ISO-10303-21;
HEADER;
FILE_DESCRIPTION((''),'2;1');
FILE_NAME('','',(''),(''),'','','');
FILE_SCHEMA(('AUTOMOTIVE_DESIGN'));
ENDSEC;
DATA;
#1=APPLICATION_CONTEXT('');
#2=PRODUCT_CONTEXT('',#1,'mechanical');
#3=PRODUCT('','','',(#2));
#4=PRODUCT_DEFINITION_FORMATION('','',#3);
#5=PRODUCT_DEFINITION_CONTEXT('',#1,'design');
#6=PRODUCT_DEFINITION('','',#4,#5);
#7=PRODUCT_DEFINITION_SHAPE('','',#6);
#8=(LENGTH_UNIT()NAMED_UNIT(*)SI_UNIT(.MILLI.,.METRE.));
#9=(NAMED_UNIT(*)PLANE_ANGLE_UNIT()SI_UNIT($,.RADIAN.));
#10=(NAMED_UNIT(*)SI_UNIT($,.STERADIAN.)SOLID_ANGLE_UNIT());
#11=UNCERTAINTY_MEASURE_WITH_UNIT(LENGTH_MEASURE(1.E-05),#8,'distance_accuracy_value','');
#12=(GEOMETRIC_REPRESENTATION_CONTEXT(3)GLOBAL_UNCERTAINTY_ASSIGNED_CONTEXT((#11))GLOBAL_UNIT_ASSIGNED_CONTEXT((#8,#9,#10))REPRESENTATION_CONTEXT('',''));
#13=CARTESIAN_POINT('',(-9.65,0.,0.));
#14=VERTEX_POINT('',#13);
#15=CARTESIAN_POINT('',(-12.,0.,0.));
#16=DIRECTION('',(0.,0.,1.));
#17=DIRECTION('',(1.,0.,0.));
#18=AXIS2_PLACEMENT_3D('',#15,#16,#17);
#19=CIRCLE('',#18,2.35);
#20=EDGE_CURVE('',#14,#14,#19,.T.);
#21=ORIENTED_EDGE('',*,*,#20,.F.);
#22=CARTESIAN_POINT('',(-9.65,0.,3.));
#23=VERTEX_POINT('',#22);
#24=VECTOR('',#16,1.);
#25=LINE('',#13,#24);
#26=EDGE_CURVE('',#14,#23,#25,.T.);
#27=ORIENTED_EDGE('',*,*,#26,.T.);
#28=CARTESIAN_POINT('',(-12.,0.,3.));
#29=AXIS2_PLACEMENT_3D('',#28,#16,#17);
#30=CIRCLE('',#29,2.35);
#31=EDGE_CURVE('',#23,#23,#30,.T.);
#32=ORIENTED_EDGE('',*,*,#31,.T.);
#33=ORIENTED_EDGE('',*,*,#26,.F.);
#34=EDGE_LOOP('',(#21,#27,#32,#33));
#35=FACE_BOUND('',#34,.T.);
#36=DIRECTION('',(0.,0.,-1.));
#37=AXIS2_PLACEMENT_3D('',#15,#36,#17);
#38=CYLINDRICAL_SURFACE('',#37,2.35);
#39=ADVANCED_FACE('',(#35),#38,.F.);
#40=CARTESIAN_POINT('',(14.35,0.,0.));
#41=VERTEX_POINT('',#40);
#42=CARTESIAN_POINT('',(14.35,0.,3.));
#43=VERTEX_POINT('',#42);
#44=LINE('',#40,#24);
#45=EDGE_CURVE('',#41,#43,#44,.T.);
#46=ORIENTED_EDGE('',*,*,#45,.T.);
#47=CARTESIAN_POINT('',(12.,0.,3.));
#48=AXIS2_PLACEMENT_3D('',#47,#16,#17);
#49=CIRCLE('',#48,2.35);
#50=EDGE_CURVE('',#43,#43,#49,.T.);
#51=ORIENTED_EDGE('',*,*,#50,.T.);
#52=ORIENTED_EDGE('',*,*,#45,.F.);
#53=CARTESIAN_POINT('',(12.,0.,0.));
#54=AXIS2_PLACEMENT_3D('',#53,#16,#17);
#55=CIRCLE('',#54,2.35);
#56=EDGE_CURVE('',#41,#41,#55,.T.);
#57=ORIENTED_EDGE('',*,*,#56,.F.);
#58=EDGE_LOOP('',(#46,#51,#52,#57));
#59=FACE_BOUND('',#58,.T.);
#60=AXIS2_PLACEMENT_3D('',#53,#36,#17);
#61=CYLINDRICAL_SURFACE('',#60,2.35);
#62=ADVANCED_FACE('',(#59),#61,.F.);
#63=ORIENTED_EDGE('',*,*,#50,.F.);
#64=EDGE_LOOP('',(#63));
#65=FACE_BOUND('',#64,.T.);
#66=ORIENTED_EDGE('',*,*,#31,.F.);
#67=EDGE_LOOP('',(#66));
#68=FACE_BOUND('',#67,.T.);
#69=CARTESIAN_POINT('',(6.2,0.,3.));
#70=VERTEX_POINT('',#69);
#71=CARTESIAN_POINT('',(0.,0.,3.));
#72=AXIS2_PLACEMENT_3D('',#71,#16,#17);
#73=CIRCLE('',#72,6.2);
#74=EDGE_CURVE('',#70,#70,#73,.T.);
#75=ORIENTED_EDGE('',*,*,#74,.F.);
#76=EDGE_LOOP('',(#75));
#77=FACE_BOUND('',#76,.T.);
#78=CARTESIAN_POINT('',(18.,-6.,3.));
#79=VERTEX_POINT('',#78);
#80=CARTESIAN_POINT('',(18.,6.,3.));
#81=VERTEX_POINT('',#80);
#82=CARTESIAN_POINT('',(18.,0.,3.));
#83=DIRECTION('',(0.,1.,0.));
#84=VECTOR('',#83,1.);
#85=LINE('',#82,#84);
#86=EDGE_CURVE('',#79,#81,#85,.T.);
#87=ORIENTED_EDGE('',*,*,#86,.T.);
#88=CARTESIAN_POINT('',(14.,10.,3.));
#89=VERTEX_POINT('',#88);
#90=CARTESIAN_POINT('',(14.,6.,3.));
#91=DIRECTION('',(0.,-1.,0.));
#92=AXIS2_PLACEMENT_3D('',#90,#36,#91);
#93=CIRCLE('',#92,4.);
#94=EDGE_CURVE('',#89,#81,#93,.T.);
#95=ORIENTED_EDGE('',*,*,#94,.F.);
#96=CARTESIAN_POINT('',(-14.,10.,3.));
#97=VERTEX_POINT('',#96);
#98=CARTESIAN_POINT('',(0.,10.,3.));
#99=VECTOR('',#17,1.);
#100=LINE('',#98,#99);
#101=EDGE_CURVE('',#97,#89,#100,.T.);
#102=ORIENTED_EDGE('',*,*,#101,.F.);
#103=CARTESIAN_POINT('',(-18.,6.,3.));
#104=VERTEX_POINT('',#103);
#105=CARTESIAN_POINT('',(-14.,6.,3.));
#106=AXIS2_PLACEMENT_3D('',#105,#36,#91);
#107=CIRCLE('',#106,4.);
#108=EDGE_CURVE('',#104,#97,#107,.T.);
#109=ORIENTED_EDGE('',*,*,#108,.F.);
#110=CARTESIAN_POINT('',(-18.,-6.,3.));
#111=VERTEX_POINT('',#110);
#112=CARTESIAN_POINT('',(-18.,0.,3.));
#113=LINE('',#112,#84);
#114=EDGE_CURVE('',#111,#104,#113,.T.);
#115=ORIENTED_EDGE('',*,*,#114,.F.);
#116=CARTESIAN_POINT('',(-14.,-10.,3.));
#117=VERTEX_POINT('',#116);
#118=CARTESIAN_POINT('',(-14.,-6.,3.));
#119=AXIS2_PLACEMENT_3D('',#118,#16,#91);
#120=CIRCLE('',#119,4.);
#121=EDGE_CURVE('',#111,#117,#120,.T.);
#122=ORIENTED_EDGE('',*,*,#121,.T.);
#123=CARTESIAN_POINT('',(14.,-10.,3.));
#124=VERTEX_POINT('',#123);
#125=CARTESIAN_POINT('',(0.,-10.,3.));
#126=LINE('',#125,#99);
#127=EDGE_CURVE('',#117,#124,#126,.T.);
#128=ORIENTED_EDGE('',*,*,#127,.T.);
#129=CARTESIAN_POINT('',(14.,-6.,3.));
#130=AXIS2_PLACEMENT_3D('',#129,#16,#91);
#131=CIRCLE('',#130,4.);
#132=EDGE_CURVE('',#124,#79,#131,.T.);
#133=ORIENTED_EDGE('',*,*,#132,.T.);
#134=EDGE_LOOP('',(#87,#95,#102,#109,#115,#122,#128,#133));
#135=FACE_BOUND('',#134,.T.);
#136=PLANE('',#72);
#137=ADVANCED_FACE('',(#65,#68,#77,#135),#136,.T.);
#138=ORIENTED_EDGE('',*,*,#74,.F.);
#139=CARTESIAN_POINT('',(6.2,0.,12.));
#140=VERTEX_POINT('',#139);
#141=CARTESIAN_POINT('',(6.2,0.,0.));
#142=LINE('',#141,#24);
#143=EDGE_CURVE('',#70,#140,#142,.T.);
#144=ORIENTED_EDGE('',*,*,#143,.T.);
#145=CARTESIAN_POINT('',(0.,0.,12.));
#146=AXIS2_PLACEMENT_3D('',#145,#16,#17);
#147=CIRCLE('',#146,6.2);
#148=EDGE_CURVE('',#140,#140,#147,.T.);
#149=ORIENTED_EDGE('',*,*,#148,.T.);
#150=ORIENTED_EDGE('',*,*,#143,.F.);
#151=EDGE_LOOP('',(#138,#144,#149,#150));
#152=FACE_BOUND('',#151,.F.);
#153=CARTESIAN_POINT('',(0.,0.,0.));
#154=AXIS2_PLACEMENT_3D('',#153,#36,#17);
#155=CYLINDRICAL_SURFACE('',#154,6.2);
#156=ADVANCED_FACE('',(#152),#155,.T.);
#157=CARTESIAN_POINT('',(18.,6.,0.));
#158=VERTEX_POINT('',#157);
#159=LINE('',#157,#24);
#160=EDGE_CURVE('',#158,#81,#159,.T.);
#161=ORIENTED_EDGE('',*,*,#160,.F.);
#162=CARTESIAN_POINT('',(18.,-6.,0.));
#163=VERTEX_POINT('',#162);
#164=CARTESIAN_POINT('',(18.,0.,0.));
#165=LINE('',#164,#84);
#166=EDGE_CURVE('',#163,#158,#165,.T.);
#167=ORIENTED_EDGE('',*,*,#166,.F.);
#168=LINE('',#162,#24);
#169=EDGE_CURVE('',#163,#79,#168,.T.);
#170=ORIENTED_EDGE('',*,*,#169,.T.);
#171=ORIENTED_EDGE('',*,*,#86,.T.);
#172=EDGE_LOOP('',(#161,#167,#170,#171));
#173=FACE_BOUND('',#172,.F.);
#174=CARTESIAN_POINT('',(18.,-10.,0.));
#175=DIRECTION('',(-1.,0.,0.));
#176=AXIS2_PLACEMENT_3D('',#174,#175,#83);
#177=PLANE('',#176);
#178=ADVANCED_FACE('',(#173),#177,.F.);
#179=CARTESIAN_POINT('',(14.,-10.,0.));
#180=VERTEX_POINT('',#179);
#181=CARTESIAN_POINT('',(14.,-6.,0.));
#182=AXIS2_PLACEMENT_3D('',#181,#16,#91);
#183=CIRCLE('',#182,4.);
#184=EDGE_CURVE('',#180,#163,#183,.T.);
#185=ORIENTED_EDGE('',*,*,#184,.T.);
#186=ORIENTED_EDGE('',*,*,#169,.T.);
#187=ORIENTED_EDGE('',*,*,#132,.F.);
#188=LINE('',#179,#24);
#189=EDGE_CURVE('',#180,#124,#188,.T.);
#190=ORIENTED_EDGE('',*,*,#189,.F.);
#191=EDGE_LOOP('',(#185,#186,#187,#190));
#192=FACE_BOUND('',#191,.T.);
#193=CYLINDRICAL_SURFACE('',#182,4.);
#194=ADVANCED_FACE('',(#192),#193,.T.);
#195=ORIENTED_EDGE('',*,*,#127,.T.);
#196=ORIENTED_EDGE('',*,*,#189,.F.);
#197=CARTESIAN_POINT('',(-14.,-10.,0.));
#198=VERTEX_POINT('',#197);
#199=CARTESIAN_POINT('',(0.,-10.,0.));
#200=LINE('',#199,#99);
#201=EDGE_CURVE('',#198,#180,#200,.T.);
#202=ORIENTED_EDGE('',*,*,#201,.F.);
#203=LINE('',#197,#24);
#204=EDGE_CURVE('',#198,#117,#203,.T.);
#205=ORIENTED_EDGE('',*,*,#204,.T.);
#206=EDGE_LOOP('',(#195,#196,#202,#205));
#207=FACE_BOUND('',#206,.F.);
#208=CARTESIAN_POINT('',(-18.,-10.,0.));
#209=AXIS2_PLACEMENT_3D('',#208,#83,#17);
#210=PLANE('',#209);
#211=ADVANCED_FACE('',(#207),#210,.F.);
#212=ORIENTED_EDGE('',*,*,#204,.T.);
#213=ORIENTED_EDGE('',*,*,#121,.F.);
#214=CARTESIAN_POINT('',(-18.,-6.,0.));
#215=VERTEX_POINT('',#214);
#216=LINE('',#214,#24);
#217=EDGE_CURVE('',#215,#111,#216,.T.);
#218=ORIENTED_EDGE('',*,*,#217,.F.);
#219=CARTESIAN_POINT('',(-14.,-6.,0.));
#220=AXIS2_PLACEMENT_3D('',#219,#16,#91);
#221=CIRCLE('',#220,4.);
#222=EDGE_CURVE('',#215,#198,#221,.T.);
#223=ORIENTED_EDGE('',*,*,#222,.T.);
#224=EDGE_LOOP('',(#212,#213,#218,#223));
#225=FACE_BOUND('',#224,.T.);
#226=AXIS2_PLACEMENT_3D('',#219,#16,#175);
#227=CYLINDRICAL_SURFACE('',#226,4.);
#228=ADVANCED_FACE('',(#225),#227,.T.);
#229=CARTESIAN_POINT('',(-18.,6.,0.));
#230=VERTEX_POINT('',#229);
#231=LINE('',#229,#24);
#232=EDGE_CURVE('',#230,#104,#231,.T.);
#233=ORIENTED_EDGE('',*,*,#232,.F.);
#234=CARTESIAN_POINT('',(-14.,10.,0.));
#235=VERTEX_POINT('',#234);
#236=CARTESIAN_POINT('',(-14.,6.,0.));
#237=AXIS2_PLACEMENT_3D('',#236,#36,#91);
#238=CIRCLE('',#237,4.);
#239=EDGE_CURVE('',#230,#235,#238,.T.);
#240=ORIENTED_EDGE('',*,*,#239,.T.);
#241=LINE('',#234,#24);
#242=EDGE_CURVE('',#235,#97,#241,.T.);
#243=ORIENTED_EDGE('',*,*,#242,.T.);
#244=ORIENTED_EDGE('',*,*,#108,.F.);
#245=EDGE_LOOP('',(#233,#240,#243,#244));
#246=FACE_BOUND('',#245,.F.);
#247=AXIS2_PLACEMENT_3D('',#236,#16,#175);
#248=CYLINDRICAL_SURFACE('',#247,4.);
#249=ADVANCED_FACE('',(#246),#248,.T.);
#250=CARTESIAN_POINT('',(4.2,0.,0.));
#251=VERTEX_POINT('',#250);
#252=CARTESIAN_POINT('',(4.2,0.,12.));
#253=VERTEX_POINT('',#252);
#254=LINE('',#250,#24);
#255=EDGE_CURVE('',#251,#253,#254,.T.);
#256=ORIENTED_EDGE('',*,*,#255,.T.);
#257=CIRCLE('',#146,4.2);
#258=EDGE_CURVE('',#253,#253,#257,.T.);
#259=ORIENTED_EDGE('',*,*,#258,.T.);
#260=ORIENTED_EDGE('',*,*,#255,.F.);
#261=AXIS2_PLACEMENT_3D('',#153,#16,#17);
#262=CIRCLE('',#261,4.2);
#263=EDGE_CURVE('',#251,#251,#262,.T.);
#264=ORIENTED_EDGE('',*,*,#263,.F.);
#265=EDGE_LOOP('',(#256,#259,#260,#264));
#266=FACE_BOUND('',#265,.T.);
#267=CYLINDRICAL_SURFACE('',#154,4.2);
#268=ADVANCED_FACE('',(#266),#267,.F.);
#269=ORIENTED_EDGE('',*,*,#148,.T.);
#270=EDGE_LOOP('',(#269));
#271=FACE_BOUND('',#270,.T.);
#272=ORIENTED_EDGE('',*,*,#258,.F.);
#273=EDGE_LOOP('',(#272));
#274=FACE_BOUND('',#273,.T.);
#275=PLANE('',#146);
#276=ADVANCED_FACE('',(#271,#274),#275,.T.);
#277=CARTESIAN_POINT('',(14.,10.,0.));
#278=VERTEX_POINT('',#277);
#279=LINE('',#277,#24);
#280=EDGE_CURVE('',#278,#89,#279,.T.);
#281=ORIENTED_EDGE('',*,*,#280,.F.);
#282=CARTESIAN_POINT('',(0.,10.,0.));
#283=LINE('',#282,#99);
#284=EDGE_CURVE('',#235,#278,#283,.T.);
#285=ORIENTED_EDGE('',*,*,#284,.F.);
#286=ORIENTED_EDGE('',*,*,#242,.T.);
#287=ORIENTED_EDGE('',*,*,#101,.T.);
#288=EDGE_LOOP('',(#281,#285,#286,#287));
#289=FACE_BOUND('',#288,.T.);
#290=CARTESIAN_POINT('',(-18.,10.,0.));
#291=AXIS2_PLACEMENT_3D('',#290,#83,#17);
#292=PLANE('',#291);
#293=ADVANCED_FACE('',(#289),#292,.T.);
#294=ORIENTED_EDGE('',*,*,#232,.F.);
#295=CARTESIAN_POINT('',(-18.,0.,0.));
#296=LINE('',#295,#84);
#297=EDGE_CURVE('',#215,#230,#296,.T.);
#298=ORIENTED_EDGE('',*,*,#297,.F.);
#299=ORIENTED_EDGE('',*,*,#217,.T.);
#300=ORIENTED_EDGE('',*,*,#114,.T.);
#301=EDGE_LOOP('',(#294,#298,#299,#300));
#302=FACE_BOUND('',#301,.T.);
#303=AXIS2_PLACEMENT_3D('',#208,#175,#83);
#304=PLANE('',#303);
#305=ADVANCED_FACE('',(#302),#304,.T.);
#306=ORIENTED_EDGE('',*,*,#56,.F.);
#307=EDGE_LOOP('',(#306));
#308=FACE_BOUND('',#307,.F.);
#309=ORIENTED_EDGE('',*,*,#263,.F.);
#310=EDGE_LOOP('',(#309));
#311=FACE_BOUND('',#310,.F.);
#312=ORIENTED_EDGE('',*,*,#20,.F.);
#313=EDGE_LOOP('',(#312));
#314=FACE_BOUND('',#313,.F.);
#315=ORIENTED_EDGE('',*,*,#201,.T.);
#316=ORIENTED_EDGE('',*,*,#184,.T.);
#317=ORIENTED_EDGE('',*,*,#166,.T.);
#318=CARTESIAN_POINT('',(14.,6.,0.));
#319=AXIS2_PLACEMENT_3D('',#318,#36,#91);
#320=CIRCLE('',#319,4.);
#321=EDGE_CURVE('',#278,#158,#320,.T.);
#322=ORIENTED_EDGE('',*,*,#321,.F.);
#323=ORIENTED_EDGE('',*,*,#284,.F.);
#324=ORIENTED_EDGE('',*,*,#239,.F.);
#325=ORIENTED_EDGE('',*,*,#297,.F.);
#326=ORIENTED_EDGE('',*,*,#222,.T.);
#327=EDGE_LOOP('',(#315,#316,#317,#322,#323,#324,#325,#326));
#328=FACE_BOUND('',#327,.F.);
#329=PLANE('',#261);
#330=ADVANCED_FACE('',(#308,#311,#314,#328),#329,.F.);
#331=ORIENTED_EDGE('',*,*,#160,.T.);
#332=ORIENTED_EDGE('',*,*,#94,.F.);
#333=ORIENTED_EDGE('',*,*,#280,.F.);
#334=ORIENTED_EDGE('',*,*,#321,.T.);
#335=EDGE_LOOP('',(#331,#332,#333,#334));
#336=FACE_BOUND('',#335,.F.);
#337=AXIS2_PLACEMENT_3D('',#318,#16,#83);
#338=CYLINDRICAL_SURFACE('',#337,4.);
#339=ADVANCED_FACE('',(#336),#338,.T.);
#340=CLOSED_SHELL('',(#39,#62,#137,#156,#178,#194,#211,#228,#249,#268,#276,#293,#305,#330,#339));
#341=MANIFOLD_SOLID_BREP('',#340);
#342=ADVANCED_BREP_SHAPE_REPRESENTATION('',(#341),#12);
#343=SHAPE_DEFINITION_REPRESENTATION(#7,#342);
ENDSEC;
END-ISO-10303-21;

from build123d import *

# Parameters (mm, degrees)
F0_W     = 36
F0_H     = 20
F0_R     = 2.35
F0_R_2   = 6.2
F1_DEPTH = 3
F0_R_3   = 4.2
F2_DEPTH = 12
F3_R     = 4


with BuildPart() as f1:
    # F0 (on Top) → F1 (new body)
    with BuildSketch(Plane.XY):
        Rectangle(F0_W, F0_H)
        with Locations((-12, 0)):
            Circle(F0_R, mode=Mode.SUBTRACT)
        Circle(F0_R_2, mode=Mode.SUBTRACT)
        with Locations((12, 0)):
            Circle(F0_R, mode=Mode.SUBTRACT)
    extrude(amount=F1_DEPTH)

    # F0 (on Top) → F2 (join)
    with BuildSketch(Plane.XY):
        Circle(F0_R_2)
        Circle(F0_R_3, mode=Mode.SUBTRACT)
    extrude(amount=F2_DEPTH)

    # F3
    f3_edges = [f1.edges().sort_by_distance(p)[0] for p in [
        (-18, 10, 1.5),
        (-18, -10, 1.5),
        (18, -10, 1.5),
        (18, 10, 1.5),
    ]]
    fillet(f3_edges, radius=F3_R)


solid = f1.part
